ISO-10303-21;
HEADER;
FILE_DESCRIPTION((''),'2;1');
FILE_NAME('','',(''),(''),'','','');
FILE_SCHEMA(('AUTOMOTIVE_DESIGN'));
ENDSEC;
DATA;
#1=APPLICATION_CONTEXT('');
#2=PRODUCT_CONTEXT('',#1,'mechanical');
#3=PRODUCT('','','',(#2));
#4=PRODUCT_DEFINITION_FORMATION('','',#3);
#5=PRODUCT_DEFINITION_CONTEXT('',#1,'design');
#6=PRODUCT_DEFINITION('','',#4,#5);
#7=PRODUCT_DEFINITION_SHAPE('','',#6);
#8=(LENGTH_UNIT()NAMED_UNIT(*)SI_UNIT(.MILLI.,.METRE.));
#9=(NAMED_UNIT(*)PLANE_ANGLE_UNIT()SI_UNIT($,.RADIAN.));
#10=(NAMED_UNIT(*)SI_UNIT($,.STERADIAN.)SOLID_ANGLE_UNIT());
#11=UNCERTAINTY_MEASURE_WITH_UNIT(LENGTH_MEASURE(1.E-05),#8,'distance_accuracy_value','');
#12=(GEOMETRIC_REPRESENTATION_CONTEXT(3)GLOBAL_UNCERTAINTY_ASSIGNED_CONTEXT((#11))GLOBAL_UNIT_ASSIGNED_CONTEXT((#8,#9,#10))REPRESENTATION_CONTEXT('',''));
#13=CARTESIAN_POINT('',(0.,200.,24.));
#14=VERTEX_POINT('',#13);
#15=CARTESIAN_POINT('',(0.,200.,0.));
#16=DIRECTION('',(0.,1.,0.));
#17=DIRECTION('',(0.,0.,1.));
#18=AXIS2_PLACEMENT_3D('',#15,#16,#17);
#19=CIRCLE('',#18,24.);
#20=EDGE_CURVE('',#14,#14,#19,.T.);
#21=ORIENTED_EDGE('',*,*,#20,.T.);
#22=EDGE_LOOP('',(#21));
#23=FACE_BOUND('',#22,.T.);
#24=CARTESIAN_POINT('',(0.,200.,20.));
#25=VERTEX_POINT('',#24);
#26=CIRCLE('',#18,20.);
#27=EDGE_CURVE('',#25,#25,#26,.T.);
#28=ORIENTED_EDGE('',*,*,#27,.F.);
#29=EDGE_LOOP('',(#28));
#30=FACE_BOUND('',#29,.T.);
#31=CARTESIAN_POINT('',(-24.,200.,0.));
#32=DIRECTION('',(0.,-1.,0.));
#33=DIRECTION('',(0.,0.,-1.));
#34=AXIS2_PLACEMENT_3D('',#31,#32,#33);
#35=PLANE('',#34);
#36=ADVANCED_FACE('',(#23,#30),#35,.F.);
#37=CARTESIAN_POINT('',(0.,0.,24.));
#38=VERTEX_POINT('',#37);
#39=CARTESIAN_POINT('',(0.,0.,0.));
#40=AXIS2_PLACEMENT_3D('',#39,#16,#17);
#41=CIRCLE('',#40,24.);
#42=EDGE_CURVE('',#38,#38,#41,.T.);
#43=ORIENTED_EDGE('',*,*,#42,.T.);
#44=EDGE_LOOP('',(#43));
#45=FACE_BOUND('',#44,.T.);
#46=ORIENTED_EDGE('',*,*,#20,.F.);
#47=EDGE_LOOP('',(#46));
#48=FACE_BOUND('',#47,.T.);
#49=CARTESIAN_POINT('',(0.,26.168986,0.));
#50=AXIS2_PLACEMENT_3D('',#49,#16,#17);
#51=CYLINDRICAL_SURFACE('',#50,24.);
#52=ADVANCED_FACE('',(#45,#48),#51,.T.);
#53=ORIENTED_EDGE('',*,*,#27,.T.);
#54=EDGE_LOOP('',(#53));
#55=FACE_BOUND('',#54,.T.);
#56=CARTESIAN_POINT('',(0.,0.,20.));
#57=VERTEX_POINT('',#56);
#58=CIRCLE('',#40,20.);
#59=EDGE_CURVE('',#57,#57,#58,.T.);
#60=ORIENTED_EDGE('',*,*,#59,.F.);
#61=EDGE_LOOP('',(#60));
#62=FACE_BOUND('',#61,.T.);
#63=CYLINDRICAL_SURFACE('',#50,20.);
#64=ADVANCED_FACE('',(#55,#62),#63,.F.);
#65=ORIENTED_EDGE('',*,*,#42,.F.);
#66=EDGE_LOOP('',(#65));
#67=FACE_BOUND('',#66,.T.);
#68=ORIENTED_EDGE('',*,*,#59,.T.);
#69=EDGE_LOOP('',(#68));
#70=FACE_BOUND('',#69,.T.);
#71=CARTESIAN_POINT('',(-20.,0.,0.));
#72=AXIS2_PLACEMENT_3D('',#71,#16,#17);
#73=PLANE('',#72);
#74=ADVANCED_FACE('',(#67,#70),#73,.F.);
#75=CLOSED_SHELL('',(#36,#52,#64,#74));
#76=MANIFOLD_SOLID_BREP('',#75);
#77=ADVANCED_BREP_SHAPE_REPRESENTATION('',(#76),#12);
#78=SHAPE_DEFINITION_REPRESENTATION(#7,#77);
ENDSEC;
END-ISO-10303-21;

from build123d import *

# Parameters (mm, degrees)
SKETCH_1_W = 4
SKETCH_1_H = 200


with BuildPart() as part:
    # Эскиз1 → Повернуть-Тонкостенный1 (revolve)
    with BuildSketch(Plane.XY):
        with Locations((-22, 100)):
            Rectangle(SKETCH_1_W, SKETCH_1_H)
    revolve(axis=Axis((0, 26.168985987, 0), (0, -1, 0)))


solid = part.part
